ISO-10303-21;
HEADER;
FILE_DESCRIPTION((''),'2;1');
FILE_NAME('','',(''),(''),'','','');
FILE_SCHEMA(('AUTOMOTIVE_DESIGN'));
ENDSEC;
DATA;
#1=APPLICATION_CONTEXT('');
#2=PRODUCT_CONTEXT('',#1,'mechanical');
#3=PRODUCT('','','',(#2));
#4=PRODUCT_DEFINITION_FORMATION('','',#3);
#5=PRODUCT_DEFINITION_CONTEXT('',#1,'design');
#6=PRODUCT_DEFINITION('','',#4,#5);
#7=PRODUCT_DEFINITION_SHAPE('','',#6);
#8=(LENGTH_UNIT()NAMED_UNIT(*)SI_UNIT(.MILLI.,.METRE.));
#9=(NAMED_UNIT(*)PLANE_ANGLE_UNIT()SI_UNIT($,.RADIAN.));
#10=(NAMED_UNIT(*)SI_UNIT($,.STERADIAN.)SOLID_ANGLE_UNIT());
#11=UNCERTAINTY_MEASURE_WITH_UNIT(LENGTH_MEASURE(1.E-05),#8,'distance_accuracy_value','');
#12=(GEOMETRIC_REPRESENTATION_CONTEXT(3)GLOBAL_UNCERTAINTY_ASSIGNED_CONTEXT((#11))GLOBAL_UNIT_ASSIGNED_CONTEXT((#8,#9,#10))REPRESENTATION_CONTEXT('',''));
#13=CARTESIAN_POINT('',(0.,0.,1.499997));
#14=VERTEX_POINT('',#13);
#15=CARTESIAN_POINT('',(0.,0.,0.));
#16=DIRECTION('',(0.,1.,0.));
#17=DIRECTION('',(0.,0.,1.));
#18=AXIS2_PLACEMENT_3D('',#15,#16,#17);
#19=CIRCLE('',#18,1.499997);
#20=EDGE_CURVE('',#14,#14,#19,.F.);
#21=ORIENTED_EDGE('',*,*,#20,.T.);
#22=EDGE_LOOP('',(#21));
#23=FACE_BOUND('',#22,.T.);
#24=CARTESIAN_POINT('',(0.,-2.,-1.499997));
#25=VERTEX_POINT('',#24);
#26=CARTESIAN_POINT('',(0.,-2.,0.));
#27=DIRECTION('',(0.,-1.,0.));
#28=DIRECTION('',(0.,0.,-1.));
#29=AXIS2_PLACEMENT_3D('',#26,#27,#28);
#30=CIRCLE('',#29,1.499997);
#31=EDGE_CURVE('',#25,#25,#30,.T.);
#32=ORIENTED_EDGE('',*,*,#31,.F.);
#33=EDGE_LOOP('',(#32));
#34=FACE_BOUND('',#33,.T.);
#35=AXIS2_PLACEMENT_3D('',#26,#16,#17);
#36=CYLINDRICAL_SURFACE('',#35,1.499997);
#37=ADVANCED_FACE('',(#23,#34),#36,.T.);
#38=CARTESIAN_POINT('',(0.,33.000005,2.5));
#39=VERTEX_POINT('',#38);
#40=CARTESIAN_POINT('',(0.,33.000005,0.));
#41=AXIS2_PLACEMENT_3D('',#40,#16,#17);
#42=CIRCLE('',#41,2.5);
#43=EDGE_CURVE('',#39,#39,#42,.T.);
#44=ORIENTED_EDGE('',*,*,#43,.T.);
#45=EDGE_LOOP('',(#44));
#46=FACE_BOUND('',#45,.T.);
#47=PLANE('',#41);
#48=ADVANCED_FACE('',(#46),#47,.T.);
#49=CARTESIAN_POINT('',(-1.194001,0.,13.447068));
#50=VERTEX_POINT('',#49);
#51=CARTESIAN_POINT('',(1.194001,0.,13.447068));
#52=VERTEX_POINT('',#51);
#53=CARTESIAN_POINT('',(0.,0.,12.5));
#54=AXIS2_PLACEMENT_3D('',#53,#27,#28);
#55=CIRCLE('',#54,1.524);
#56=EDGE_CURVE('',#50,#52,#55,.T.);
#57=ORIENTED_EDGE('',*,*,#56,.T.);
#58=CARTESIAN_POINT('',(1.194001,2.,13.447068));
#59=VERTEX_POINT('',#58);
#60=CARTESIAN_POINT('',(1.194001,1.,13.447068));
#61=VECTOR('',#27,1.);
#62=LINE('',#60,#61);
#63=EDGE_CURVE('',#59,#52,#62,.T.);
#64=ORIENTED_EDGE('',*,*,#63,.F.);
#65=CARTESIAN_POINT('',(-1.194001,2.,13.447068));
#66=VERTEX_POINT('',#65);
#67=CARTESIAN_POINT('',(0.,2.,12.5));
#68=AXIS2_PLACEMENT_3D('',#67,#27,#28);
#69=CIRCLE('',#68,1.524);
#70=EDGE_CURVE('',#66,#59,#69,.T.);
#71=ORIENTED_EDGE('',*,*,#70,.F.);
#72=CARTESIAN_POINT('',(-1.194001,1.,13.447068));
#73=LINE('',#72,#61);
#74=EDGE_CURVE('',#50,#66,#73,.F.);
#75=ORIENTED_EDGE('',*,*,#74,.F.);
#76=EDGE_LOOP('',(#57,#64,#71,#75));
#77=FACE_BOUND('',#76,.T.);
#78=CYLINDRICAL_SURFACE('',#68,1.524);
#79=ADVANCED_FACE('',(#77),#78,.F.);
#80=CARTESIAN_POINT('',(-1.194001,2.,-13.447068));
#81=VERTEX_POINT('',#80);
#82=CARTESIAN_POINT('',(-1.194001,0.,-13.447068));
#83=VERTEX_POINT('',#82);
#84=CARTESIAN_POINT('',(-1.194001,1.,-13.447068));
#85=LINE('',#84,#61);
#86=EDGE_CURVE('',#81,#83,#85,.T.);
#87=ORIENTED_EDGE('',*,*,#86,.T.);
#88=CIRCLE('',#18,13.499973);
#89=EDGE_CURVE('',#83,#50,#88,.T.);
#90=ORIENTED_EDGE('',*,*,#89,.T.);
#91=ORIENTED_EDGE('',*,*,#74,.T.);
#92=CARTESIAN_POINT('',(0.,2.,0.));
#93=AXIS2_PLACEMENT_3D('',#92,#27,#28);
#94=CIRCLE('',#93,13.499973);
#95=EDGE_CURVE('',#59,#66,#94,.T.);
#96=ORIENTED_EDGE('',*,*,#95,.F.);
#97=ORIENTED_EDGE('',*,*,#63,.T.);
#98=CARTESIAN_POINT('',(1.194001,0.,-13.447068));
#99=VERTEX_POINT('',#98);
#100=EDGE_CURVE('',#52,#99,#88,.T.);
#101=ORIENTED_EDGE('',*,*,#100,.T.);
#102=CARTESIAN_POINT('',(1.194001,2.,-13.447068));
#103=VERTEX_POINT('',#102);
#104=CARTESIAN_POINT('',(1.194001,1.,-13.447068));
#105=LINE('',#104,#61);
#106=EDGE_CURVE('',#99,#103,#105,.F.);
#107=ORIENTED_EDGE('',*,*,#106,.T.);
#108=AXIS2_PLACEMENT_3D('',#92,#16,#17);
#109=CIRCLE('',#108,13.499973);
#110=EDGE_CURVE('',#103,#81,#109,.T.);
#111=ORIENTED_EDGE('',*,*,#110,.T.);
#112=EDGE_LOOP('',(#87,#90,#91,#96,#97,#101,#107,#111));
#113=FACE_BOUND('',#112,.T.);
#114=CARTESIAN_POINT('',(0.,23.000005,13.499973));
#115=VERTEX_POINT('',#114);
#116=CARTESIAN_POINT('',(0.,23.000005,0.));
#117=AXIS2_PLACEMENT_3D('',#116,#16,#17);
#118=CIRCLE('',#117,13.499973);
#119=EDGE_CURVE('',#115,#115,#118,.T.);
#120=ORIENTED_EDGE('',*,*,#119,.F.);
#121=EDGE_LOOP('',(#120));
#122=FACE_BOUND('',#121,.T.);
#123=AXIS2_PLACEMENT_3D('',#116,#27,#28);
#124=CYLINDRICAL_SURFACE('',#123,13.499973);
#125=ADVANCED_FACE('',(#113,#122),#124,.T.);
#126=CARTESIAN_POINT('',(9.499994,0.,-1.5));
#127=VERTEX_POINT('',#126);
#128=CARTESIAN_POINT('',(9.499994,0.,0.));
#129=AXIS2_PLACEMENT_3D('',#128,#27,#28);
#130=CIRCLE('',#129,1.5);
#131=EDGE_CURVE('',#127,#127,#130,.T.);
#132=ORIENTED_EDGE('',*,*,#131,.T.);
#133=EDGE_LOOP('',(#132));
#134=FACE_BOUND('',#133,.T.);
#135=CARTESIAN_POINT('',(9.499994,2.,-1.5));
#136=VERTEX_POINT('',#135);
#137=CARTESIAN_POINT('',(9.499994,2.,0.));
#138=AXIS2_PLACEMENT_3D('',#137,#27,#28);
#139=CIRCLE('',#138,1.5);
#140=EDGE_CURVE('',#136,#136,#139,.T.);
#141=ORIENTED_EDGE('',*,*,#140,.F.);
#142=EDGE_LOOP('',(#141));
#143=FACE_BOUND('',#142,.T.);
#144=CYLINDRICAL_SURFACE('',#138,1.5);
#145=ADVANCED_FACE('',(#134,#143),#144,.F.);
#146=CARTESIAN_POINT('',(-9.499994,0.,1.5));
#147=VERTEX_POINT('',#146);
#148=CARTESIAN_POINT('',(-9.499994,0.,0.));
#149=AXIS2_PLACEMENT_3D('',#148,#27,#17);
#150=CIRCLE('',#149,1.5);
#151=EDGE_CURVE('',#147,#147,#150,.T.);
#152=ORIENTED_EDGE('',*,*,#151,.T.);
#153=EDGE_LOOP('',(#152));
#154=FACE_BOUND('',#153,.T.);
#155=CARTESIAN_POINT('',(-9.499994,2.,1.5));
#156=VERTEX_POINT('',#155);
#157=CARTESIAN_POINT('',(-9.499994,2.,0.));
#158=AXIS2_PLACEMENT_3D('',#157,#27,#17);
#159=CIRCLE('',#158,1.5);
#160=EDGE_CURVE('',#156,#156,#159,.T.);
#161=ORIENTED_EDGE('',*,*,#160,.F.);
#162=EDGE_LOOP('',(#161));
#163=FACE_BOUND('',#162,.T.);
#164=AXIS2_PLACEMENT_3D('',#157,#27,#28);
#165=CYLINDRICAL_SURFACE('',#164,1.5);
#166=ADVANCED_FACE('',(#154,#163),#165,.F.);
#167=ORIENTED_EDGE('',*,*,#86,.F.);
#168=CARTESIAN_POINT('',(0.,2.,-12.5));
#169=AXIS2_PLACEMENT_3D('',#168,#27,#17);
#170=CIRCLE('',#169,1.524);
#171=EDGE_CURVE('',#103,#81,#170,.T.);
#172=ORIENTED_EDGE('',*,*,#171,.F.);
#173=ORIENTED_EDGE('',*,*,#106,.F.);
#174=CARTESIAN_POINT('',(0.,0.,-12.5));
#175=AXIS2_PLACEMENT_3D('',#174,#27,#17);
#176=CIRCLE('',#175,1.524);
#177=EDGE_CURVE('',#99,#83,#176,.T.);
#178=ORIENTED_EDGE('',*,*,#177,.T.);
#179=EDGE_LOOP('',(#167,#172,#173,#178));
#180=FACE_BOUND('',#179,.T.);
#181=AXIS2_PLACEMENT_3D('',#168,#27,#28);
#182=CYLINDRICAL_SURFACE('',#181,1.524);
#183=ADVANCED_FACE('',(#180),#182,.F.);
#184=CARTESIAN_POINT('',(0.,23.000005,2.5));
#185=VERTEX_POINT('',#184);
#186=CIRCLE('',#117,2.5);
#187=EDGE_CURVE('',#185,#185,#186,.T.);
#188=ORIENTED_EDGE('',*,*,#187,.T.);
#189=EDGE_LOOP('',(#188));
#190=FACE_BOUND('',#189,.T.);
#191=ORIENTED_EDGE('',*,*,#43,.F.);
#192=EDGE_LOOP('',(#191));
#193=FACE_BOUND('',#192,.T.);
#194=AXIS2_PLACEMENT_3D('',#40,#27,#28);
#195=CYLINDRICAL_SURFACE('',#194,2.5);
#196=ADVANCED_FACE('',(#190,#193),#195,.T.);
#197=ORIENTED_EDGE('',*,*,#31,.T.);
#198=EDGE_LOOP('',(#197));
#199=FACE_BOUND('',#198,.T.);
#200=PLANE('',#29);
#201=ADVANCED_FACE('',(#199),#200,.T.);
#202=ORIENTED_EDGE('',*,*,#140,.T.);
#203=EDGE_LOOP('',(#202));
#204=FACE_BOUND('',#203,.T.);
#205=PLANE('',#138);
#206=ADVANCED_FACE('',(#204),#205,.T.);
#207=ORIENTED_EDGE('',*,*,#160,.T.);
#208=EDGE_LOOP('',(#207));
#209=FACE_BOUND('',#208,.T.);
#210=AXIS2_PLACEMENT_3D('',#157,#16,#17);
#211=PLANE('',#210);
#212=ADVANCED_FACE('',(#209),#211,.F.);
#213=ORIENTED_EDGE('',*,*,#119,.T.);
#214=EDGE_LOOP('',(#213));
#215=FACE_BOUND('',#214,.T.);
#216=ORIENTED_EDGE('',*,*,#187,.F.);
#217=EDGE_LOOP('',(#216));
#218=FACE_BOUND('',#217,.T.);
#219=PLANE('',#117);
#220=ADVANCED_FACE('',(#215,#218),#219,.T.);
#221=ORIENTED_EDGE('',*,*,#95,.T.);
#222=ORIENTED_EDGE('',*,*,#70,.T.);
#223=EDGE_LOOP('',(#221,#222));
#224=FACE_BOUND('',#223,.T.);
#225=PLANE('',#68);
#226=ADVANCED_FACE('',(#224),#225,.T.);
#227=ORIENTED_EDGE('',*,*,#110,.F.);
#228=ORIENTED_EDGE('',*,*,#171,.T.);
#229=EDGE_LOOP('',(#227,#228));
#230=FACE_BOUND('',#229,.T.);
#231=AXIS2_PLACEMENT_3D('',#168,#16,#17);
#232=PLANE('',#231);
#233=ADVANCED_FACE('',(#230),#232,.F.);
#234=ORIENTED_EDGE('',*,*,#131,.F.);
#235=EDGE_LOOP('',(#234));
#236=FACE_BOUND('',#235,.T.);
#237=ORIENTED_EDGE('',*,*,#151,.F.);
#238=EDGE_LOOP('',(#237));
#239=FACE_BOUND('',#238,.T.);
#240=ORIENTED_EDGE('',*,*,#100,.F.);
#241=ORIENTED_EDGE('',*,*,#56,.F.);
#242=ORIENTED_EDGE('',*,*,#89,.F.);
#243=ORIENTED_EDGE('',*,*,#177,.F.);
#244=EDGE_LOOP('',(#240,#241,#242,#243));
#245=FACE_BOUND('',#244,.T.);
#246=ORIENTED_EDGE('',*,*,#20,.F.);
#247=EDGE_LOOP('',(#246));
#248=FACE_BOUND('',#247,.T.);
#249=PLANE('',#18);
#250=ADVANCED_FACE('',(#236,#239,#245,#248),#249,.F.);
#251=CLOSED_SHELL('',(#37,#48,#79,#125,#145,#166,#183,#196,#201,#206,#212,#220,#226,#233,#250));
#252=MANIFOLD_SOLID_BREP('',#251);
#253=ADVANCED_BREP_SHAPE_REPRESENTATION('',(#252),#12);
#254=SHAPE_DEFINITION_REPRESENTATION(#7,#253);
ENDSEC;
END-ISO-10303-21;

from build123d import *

# Parameters (mm, degrees)
SKETCH1_R           = 13.499973
BOSS_EXTRUDE1_DEPTH = 23.0000048
SKETCH2_R           = 2.5
BOSS_EXTRUDE2_DEPTH = 10
SKETCH3_R           = 1.499997
BOSS_EXTRUDE3_DEPTH = 2
SKETCH4_R           = 1.524
SKETCH4_R_2         = 1.5
CUT_EXTRUDE1_DEPTH  = 2


with BuildPart() as part:
    # Sketch1 → Boss-Extrude1 (new body)
    with BuildSketch(Plane(origin=(0, 0, 0), x_dir=(1, 0, 0), z_dir=(0, 1, 0))):
        with Locations(Location((0, 0, 0), (0, 0, 270))):
            Circle(SKETCH1_R)
    extrude(amount=BOSS_EXTRUDE1_DEPTH)

    # Sketch2 → Boss-Extrude2 (add)
    with BuildSketch(Plane(origin=(0, 23.0000048, 0), x_dir=(1, 0, 0), z_dir=(0, 1, 0))):
        with Locations(Location((0, 0, 0), (0, 0, 270))):
            Circle(SKETCH2_R)
    extrude(amount=BOSS_EXTRUDE2_DEPTH)

    # Sketch3 → Boss-Extrude3 (add)
    with BuildSketch(Plane.XZ):
        with Locations(Location((0, 0, 0), (0, 0, 90))):
            Circle(SKETCH3_R)
    extrude(amount=BOSS_EXTRUDE3_DEPTH)

    # Sketch4 → Cut-Extrude1 (cut)
    with BuildSketch(Plane.XZ):
        with Locations((0, 12.5000004)):
            Circle(SKETCH4_R)
        with Locations(Location((9.4999937, 0, 0), (0, 0, 270))):
            Circle(SKETCH4_R_2)
        with Locations(Location((-9.4999937, 0, 0), (0, 0, 90))):
            Circle(SKETCH4_R_2)
        with Locations((0, -12.5000004)):
            Circle(SKETCH4_R)
    extrude(amount=-CUT_EXTRUDE1_DEPTH, mode=Mode.SUBTRACT)


solid = part.part
